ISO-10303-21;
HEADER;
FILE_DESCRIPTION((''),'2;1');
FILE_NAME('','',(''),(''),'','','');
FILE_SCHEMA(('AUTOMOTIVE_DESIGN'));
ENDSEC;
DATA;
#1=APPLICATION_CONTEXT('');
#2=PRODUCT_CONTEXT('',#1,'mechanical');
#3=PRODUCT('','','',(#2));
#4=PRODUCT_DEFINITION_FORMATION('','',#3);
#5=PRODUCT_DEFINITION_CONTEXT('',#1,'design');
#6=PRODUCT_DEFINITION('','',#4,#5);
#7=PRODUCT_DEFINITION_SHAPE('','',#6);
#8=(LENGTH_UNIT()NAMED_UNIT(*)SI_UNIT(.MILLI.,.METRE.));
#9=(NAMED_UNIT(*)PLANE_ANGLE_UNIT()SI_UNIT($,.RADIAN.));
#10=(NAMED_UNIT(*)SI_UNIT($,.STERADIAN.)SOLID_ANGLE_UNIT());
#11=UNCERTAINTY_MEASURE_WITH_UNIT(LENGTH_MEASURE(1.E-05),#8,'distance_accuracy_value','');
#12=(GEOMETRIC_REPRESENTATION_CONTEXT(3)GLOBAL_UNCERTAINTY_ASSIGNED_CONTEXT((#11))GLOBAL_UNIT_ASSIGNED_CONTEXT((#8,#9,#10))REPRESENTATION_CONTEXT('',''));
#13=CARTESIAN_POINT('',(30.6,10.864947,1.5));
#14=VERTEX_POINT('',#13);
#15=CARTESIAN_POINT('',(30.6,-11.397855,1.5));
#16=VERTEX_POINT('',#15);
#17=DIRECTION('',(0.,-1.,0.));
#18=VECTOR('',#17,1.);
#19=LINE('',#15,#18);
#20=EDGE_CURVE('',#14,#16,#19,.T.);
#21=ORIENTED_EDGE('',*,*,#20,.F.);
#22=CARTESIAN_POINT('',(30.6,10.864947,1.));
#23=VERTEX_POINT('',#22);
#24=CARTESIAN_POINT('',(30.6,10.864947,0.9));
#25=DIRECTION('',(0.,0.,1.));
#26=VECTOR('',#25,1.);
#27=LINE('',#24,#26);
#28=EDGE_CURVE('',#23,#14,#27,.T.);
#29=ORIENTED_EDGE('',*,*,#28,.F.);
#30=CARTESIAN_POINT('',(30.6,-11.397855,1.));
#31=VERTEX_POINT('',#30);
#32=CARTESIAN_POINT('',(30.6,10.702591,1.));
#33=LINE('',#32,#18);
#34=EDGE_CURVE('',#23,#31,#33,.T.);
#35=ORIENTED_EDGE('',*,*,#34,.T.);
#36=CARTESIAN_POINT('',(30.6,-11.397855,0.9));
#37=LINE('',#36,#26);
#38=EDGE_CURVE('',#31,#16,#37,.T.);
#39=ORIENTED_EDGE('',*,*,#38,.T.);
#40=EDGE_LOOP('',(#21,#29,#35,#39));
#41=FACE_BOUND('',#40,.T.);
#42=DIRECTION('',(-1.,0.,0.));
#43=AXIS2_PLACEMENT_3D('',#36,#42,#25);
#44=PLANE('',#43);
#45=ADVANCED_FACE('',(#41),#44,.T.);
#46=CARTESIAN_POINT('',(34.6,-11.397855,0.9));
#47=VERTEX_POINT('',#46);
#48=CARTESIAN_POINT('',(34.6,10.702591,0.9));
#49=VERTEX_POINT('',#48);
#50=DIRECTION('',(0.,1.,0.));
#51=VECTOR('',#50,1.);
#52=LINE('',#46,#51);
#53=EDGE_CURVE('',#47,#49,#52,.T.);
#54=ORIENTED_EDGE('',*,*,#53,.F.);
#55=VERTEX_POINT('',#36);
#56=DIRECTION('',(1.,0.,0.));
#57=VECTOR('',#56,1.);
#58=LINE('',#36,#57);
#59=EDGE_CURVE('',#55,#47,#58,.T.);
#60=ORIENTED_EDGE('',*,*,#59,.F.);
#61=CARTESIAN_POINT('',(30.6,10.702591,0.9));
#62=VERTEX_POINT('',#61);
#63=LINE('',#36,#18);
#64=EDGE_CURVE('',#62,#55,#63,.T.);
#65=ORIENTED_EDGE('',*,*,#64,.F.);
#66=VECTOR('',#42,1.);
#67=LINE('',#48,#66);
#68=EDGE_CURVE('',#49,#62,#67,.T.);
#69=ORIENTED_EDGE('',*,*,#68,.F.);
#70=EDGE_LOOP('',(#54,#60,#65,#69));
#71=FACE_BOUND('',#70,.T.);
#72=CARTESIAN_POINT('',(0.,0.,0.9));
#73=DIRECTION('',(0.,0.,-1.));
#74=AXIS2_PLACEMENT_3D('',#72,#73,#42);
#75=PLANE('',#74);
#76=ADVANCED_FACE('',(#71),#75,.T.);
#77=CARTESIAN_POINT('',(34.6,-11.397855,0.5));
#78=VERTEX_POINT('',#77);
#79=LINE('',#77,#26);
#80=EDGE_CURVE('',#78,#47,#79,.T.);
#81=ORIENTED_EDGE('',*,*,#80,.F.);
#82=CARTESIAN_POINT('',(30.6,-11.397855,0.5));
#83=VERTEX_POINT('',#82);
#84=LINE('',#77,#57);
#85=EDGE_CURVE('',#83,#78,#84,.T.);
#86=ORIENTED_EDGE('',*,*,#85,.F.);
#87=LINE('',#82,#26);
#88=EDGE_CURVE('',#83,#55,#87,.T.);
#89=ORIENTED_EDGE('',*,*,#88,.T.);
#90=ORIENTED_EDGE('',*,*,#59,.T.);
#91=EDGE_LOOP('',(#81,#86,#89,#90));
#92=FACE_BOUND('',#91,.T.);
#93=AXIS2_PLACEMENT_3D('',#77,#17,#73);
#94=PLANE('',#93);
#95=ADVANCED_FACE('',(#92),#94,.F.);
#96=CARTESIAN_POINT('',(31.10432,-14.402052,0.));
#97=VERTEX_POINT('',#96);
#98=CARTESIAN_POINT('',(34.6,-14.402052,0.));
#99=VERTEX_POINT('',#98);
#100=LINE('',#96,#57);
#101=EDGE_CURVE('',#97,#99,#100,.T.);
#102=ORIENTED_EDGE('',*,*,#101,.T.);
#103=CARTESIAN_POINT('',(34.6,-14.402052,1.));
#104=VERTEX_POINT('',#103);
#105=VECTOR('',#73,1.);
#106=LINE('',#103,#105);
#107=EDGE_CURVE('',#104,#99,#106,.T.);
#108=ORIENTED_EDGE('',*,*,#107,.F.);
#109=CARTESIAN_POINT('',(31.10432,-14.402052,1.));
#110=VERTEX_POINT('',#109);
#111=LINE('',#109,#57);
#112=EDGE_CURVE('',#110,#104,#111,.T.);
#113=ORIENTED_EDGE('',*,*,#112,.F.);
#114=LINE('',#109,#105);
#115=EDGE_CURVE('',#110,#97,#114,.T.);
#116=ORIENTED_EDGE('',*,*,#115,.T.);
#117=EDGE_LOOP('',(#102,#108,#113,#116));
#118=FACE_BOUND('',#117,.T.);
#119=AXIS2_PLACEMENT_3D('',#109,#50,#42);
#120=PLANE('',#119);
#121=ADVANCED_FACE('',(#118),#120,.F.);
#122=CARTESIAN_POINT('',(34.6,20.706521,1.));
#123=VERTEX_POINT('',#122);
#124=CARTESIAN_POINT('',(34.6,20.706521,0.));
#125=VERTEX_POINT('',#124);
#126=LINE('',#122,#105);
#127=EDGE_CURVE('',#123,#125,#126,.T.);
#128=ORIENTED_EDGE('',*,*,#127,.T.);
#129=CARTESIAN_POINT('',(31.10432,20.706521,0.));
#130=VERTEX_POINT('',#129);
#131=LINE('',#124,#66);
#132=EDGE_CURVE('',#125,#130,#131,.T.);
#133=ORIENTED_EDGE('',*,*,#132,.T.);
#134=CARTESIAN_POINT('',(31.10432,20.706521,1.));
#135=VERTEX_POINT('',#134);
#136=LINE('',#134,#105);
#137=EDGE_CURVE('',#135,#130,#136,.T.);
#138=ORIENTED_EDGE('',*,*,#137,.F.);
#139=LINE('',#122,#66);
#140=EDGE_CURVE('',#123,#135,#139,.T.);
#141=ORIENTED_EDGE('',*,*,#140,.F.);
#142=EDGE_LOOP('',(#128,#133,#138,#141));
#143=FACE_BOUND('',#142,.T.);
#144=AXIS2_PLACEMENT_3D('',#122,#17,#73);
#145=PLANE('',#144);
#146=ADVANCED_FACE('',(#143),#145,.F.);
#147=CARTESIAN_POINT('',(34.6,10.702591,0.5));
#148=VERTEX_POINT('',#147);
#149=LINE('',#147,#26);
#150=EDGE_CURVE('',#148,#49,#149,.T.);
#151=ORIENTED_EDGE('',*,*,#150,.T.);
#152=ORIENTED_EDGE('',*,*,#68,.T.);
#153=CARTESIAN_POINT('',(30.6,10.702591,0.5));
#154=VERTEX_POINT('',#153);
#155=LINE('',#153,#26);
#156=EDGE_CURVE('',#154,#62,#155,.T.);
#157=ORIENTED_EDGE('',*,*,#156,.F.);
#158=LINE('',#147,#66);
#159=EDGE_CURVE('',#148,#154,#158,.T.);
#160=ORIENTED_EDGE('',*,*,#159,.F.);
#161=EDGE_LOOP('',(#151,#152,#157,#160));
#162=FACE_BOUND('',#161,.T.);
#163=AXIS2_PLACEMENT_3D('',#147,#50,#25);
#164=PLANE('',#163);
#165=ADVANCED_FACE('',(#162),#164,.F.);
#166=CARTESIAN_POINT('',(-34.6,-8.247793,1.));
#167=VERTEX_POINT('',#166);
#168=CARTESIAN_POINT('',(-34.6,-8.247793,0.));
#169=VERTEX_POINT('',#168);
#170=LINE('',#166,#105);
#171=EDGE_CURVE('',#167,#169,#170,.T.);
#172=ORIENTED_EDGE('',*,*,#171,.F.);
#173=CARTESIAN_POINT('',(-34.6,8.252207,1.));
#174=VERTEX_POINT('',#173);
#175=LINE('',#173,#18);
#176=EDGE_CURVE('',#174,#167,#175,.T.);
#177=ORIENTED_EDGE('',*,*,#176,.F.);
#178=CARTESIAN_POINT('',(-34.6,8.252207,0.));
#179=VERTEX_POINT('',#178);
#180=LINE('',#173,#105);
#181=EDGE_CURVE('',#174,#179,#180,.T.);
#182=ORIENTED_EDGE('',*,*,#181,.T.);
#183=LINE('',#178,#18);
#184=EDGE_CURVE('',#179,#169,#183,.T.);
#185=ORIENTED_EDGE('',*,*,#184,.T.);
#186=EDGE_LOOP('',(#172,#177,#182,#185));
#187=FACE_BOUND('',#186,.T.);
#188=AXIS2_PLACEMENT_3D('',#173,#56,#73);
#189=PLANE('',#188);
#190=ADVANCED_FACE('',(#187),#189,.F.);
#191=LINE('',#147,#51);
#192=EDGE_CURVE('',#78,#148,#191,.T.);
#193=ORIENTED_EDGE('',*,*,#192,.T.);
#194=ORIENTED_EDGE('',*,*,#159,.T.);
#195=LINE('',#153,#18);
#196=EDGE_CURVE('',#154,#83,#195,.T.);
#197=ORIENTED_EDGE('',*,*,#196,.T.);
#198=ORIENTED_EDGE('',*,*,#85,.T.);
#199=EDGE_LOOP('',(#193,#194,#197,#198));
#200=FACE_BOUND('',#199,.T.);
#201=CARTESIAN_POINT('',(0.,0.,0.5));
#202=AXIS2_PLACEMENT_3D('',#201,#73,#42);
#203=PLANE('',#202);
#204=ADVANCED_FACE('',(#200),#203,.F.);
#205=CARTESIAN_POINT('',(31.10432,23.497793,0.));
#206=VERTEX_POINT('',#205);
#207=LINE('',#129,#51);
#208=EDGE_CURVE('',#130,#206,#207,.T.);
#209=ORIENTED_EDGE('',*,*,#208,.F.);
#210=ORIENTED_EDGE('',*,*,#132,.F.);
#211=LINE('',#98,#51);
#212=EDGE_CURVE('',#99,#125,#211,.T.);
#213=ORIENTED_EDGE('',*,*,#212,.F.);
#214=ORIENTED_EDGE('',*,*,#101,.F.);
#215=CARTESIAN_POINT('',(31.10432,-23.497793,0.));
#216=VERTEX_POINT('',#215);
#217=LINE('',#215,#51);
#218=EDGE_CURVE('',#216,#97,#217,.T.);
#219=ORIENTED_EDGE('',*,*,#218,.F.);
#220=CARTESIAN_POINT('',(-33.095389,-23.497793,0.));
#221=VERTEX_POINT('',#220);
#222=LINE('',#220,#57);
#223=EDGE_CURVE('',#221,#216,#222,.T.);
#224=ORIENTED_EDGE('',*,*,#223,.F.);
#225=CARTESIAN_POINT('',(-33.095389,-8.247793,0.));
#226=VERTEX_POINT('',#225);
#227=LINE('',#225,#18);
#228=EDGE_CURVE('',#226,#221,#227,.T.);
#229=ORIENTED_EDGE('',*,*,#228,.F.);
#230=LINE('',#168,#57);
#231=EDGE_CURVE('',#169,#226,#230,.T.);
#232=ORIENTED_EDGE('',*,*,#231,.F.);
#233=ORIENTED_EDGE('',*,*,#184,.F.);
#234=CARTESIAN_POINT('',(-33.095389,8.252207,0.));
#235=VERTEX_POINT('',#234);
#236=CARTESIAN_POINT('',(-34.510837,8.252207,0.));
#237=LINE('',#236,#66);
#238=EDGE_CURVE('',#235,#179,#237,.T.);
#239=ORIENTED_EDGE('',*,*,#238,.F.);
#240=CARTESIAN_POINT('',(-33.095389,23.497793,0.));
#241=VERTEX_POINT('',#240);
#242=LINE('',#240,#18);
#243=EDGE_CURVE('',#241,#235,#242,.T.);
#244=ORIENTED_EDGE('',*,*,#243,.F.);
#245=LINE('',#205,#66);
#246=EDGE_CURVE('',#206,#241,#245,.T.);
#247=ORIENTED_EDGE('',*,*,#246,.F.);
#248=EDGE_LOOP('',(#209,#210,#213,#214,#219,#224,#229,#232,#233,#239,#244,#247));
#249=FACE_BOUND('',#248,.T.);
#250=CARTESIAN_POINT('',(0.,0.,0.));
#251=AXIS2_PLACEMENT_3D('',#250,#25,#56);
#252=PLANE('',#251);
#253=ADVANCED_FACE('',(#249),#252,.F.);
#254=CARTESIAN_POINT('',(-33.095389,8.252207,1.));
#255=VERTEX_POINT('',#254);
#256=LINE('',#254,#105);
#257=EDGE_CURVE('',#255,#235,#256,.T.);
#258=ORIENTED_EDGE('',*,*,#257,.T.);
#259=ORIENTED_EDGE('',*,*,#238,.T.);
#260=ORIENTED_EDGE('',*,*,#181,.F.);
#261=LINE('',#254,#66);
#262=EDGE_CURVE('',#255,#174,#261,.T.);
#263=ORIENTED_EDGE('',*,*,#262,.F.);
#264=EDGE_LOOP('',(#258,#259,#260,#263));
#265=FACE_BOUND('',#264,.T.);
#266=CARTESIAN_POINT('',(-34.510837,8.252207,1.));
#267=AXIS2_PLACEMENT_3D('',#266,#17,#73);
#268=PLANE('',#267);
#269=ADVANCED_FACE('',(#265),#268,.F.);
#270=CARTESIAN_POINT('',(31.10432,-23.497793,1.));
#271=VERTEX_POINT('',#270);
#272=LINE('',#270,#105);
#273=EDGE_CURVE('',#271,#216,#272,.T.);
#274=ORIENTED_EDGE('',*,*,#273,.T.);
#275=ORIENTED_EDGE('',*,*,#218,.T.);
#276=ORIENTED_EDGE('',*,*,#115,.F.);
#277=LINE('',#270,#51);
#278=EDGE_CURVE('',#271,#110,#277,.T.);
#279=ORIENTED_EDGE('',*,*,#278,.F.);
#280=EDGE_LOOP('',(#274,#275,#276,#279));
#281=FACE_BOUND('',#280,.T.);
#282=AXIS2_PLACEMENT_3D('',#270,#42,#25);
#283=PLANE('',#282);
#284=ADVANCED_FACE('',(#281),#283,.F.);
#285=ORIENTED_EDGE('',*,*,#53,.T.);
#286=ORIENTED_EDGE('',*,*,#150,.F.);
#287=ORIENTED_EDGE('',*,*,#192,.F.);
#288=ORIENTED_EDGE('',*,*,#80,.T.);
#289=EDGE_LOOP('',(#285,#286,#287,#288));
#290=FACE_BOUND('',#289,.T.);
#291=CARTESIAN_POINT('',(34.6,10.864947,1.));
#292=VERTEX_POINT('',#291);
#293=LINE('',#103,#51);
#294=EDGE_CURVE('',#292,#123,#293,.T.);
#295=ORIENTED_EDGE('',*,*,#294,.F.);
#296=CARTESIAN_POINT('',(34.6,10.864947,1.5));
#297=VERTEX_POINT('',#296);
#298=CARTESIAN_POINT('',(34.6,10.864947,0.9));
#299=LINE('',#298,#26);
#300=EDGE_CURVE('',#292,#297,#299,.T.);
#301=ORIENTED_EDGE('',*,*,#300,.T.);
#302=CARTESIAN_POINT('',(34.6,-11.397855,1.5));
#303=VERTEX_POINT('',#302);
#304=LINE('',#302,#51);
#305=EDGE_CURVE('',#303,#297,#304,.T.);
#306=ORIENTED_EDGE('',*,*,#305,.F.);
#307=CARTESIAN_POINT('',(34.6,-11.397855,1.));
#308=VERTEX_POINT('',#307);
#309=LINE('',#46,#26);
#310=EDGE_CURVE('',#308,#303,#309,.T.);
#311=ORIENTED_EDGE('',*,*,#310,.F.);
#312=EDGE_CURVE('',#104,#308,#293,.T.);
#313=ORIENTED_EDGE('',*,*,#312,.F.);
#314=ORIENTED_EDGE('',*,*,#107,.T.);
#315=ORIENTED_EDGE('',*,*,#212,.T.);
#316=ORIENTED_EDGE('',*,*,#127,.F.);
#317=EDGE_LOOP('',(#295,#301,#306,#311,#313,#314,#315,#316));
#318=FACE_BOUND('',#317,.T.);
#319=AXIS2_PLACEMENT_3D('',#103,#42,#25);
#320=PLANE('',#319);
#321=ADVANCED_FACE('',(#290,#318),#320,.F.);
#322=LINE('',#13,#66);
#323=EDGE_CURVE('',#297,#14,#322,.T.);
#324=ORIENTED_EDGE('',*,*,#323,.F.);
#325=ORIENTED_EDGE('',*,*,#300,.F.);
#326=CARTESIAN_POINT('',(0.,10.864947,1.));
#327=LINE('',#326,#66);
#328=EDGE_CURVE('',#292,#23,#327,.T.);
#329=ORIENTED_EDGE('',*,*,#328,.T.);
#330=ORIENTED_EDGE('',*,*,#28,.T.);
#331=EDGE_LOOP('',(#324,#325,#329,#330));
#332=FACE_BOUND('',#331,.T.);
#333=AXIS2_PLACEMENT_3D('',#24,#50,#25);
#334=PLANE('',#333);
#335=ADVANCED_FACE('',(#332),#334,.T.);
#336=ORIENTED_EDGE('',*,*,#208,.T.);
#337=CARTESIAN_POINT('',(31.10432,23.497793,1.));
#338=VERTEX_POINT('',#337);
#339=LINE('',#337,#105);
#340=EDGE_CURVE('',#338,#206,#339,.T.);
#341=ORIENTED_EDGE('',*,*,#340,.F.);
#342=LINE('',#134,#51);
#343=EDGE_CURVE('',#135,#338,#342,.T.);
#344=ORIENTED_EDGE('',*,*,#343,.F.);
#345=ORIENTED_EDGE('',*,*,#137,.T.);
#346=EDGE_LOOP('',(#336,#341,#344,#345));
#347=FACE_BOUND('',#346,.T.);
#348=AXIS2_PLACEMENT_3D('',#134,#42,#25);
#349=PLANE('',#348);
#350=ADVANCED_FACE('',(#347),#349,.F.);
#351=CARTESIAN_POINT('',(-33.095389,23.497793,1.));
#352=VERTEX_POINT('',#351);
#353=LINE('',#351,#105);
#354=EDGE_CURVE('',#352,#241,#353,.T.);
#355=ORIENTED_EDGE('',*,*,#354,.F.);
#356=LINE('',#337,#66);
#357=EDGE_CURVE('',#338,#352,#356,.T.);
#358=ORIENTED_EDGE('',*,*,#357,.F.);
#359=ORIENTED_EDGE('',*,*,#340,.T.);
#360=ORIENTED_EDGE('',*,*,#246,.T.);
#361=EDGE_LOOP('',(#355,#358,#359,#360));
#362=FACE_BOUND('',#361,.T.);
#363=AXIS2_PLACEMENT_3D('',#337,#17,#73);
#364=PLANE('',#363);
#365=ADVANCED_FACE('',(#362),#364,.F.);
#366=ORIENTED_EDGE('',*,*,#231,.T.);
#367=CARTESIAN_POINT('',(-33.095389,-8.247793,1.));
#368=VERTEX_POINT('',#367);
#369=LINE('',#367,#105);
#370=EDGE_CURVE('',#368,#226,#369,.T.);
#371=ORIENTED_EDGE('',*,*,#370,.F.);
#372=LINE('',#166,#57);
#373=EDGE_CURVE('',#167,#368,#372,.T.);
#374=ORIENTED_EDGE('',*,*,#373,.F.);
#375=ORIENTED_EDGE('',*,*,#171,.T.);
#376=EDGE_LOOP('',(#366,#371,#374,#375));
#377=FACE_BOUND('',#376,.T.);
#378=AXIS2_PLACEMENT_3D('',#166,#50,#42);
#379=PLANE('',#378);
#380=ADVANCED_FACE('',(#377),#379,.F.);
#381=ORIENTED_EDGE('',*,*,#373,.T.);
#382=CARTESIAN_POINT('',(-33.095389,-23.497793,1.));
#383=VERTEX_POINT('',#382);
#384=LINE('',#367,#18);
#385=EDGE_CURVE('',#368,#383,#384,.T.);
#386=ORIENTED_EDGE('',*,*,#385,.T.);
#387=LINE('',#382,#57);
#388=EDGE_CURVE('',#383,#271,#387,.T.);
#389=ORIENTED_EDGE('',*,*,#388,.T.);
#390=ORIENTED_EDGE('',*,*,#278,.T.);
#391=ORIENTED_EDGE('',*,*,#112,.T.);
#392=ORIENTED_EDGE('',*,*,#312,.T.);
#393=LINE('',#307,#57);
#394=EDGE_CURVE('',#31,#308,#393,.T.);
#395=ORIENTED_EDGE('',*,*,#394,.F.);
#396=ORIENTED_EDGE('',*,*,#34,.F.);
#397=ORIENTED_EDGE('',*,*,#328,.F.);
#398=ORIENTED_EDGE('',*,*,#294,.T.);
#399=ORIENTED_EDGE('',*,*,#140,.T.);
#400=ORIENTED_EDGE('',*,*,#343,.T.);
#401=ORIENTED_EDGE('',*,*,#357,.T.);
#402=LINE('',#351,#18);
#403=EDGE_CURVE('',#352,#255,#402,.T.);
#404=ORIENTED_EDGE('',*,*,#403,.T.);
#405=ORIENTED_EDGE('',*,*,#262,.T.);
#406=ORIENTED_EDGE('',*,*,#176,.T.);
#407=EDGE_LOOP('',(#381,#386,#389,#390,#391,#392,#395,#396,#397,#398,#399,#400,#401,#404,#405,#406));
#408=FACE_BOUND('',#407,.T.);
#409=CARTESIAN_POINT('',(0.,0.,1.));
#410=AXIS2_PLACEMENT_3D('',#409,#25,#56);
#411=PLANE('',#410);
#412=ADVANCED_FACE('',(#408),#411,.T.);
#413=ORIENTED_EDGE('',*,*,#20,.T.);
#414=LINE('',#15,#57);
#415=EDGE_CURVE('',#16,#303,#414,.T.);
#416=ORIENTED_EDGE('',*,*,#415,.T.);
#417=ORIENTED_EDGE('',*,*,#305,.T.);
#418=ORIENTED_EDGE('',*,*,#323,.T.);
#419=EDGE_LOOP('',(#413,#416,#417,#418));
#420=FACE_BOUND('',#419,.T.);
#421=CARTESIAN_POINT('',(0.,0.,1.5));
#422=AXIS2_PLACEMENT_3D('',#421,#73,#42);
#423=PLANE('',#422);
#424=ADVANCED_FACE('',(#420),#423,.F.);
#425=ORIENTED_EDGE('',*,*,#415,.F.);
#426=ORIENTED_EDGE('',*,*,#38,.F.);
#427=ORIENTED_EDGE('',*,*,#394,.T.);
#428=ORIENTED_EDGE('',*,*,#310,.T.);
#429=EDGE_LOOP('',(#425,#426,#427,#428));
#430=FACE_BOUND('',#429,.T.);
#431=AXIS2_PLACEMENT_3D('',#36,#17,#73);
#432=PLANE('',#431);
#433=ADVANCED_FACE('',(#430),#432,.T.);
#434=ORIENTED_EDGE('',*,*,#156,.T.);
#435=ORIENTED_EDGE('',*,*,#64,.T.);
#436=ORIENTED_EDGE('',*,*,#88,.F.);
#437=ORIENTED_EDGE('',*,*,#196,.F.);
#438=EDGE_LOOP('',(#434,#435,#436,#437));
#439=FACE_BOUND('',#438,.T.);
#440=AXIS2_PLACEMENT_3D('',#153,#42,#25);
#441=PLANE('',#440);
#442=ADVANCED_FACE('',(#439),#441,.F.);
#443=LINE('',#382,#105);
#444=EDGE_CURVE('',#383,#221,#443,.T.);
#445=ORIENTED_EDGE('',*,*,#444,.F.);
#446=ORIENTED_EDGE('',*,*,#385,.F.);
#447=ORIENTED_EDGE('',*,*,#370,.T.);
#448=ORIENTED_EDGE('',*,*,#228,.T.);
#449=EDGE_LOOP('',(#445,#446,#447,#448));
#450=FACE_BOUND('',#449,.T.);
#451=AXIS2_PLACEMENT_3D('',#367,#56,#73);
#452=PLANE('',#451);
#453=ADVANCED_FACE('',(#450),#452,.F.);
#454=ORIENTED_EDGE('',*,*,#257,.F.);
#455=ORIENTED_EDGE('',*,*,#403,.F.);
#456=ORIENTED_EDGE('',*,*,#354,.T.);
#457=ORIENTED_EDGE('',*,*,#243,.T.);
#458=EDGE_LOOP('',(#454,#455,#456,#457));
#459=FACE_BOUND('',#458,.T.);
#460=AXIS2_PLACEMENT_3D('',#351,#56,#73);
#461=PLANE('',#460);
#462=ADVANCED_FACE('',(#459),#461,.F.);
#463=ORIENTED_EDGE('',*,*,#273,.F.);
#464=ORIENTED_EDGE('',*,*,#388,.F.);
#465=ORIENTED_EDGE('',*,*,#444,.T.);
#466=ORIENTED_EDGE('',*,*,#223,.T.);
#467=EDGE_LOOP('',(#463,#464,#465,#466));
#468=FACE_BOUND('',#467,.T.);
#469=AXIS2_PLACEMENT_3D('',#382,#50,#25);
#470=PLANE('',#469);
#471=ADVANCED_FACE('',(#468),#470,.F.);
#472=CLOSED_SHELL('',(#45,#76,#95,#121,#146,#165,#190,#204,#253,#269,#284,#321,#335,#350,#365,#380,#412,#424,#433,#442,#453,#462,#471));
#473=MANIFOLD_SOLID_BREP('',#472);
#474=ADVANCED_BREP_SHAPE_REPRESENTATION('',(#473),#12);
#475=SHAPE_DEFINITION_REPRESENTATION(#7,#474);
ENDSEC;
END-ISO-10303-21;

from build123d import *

# Parameters (mm, degrees)
BOSS_EXTRU_1_DEPTH      = 1
ESQUISSE2_W             = 4
ESQUISSE2_H             = 22.100446083
ENL_V_MAT_EXTRU_2_DEPTH = 0.5
ESQUISSE3_W             = 4
ESQUISSE3_H             = 22.262802535
BOSS_EXTRU_2_DEPTH      = 0.5
BOSS_EXTRU_2_DEPTH_BACK = 0.1


with BuildPart() as part:
    # Esquisse1 → Boss.-Extru.1 (new body)
    with BuildSketch(Plane.XY):
        Polygon((34.6, 20.706521175), (31.104320123, 20.706521175), (31.104320123, 23.497793163), (-33.095389285, 23.497793163), (-33.095389285, 8.252206837), (-34.510836618, 8.252206837), (-34.6, 8.252206837), (-34.6, -8.247793163), (-33.095389285, -8.247793163), (-33.095389285, -23.497793163), (31.104320123, -23.497793163), (31.104320123, -14.402052139), (34.6, -14.402052139), align=None)
    extrude(amount=BOSS_EXTRU_1_DEPTH)

    # Esquisse2 → Enlèv. mat.-Extru.2 (cut)
    with BuildSketch(Plane.XY.offset(1)):
        with Locations((32.6, -0.347632361)):
            Rectangle(ESQUISSE2_W, ESQUISSE2_H)
    extrude(amount=-ENL_V_MAT_EXTRU_2_DEPTH, mode=Mode.SUBTRACT)

    # Esquisse3 → Boss.-Extru.2 (add, two sides)
    with BuildSketch(Plane.XY.offset(1)) as boss_extru_2_sk:
        with Locations((32.6, -0.266454134)):
            Rectangle(ESQUISSE3_W, ESQUISSE3_H)
    extrude(amount=BOSS_EXTRU_2_DEPTH)
    extrude(boss_extru_2_sk.sketch, amount=-BOSS_EXTRU_2_DEPTH_BACK)


solid = part.part
